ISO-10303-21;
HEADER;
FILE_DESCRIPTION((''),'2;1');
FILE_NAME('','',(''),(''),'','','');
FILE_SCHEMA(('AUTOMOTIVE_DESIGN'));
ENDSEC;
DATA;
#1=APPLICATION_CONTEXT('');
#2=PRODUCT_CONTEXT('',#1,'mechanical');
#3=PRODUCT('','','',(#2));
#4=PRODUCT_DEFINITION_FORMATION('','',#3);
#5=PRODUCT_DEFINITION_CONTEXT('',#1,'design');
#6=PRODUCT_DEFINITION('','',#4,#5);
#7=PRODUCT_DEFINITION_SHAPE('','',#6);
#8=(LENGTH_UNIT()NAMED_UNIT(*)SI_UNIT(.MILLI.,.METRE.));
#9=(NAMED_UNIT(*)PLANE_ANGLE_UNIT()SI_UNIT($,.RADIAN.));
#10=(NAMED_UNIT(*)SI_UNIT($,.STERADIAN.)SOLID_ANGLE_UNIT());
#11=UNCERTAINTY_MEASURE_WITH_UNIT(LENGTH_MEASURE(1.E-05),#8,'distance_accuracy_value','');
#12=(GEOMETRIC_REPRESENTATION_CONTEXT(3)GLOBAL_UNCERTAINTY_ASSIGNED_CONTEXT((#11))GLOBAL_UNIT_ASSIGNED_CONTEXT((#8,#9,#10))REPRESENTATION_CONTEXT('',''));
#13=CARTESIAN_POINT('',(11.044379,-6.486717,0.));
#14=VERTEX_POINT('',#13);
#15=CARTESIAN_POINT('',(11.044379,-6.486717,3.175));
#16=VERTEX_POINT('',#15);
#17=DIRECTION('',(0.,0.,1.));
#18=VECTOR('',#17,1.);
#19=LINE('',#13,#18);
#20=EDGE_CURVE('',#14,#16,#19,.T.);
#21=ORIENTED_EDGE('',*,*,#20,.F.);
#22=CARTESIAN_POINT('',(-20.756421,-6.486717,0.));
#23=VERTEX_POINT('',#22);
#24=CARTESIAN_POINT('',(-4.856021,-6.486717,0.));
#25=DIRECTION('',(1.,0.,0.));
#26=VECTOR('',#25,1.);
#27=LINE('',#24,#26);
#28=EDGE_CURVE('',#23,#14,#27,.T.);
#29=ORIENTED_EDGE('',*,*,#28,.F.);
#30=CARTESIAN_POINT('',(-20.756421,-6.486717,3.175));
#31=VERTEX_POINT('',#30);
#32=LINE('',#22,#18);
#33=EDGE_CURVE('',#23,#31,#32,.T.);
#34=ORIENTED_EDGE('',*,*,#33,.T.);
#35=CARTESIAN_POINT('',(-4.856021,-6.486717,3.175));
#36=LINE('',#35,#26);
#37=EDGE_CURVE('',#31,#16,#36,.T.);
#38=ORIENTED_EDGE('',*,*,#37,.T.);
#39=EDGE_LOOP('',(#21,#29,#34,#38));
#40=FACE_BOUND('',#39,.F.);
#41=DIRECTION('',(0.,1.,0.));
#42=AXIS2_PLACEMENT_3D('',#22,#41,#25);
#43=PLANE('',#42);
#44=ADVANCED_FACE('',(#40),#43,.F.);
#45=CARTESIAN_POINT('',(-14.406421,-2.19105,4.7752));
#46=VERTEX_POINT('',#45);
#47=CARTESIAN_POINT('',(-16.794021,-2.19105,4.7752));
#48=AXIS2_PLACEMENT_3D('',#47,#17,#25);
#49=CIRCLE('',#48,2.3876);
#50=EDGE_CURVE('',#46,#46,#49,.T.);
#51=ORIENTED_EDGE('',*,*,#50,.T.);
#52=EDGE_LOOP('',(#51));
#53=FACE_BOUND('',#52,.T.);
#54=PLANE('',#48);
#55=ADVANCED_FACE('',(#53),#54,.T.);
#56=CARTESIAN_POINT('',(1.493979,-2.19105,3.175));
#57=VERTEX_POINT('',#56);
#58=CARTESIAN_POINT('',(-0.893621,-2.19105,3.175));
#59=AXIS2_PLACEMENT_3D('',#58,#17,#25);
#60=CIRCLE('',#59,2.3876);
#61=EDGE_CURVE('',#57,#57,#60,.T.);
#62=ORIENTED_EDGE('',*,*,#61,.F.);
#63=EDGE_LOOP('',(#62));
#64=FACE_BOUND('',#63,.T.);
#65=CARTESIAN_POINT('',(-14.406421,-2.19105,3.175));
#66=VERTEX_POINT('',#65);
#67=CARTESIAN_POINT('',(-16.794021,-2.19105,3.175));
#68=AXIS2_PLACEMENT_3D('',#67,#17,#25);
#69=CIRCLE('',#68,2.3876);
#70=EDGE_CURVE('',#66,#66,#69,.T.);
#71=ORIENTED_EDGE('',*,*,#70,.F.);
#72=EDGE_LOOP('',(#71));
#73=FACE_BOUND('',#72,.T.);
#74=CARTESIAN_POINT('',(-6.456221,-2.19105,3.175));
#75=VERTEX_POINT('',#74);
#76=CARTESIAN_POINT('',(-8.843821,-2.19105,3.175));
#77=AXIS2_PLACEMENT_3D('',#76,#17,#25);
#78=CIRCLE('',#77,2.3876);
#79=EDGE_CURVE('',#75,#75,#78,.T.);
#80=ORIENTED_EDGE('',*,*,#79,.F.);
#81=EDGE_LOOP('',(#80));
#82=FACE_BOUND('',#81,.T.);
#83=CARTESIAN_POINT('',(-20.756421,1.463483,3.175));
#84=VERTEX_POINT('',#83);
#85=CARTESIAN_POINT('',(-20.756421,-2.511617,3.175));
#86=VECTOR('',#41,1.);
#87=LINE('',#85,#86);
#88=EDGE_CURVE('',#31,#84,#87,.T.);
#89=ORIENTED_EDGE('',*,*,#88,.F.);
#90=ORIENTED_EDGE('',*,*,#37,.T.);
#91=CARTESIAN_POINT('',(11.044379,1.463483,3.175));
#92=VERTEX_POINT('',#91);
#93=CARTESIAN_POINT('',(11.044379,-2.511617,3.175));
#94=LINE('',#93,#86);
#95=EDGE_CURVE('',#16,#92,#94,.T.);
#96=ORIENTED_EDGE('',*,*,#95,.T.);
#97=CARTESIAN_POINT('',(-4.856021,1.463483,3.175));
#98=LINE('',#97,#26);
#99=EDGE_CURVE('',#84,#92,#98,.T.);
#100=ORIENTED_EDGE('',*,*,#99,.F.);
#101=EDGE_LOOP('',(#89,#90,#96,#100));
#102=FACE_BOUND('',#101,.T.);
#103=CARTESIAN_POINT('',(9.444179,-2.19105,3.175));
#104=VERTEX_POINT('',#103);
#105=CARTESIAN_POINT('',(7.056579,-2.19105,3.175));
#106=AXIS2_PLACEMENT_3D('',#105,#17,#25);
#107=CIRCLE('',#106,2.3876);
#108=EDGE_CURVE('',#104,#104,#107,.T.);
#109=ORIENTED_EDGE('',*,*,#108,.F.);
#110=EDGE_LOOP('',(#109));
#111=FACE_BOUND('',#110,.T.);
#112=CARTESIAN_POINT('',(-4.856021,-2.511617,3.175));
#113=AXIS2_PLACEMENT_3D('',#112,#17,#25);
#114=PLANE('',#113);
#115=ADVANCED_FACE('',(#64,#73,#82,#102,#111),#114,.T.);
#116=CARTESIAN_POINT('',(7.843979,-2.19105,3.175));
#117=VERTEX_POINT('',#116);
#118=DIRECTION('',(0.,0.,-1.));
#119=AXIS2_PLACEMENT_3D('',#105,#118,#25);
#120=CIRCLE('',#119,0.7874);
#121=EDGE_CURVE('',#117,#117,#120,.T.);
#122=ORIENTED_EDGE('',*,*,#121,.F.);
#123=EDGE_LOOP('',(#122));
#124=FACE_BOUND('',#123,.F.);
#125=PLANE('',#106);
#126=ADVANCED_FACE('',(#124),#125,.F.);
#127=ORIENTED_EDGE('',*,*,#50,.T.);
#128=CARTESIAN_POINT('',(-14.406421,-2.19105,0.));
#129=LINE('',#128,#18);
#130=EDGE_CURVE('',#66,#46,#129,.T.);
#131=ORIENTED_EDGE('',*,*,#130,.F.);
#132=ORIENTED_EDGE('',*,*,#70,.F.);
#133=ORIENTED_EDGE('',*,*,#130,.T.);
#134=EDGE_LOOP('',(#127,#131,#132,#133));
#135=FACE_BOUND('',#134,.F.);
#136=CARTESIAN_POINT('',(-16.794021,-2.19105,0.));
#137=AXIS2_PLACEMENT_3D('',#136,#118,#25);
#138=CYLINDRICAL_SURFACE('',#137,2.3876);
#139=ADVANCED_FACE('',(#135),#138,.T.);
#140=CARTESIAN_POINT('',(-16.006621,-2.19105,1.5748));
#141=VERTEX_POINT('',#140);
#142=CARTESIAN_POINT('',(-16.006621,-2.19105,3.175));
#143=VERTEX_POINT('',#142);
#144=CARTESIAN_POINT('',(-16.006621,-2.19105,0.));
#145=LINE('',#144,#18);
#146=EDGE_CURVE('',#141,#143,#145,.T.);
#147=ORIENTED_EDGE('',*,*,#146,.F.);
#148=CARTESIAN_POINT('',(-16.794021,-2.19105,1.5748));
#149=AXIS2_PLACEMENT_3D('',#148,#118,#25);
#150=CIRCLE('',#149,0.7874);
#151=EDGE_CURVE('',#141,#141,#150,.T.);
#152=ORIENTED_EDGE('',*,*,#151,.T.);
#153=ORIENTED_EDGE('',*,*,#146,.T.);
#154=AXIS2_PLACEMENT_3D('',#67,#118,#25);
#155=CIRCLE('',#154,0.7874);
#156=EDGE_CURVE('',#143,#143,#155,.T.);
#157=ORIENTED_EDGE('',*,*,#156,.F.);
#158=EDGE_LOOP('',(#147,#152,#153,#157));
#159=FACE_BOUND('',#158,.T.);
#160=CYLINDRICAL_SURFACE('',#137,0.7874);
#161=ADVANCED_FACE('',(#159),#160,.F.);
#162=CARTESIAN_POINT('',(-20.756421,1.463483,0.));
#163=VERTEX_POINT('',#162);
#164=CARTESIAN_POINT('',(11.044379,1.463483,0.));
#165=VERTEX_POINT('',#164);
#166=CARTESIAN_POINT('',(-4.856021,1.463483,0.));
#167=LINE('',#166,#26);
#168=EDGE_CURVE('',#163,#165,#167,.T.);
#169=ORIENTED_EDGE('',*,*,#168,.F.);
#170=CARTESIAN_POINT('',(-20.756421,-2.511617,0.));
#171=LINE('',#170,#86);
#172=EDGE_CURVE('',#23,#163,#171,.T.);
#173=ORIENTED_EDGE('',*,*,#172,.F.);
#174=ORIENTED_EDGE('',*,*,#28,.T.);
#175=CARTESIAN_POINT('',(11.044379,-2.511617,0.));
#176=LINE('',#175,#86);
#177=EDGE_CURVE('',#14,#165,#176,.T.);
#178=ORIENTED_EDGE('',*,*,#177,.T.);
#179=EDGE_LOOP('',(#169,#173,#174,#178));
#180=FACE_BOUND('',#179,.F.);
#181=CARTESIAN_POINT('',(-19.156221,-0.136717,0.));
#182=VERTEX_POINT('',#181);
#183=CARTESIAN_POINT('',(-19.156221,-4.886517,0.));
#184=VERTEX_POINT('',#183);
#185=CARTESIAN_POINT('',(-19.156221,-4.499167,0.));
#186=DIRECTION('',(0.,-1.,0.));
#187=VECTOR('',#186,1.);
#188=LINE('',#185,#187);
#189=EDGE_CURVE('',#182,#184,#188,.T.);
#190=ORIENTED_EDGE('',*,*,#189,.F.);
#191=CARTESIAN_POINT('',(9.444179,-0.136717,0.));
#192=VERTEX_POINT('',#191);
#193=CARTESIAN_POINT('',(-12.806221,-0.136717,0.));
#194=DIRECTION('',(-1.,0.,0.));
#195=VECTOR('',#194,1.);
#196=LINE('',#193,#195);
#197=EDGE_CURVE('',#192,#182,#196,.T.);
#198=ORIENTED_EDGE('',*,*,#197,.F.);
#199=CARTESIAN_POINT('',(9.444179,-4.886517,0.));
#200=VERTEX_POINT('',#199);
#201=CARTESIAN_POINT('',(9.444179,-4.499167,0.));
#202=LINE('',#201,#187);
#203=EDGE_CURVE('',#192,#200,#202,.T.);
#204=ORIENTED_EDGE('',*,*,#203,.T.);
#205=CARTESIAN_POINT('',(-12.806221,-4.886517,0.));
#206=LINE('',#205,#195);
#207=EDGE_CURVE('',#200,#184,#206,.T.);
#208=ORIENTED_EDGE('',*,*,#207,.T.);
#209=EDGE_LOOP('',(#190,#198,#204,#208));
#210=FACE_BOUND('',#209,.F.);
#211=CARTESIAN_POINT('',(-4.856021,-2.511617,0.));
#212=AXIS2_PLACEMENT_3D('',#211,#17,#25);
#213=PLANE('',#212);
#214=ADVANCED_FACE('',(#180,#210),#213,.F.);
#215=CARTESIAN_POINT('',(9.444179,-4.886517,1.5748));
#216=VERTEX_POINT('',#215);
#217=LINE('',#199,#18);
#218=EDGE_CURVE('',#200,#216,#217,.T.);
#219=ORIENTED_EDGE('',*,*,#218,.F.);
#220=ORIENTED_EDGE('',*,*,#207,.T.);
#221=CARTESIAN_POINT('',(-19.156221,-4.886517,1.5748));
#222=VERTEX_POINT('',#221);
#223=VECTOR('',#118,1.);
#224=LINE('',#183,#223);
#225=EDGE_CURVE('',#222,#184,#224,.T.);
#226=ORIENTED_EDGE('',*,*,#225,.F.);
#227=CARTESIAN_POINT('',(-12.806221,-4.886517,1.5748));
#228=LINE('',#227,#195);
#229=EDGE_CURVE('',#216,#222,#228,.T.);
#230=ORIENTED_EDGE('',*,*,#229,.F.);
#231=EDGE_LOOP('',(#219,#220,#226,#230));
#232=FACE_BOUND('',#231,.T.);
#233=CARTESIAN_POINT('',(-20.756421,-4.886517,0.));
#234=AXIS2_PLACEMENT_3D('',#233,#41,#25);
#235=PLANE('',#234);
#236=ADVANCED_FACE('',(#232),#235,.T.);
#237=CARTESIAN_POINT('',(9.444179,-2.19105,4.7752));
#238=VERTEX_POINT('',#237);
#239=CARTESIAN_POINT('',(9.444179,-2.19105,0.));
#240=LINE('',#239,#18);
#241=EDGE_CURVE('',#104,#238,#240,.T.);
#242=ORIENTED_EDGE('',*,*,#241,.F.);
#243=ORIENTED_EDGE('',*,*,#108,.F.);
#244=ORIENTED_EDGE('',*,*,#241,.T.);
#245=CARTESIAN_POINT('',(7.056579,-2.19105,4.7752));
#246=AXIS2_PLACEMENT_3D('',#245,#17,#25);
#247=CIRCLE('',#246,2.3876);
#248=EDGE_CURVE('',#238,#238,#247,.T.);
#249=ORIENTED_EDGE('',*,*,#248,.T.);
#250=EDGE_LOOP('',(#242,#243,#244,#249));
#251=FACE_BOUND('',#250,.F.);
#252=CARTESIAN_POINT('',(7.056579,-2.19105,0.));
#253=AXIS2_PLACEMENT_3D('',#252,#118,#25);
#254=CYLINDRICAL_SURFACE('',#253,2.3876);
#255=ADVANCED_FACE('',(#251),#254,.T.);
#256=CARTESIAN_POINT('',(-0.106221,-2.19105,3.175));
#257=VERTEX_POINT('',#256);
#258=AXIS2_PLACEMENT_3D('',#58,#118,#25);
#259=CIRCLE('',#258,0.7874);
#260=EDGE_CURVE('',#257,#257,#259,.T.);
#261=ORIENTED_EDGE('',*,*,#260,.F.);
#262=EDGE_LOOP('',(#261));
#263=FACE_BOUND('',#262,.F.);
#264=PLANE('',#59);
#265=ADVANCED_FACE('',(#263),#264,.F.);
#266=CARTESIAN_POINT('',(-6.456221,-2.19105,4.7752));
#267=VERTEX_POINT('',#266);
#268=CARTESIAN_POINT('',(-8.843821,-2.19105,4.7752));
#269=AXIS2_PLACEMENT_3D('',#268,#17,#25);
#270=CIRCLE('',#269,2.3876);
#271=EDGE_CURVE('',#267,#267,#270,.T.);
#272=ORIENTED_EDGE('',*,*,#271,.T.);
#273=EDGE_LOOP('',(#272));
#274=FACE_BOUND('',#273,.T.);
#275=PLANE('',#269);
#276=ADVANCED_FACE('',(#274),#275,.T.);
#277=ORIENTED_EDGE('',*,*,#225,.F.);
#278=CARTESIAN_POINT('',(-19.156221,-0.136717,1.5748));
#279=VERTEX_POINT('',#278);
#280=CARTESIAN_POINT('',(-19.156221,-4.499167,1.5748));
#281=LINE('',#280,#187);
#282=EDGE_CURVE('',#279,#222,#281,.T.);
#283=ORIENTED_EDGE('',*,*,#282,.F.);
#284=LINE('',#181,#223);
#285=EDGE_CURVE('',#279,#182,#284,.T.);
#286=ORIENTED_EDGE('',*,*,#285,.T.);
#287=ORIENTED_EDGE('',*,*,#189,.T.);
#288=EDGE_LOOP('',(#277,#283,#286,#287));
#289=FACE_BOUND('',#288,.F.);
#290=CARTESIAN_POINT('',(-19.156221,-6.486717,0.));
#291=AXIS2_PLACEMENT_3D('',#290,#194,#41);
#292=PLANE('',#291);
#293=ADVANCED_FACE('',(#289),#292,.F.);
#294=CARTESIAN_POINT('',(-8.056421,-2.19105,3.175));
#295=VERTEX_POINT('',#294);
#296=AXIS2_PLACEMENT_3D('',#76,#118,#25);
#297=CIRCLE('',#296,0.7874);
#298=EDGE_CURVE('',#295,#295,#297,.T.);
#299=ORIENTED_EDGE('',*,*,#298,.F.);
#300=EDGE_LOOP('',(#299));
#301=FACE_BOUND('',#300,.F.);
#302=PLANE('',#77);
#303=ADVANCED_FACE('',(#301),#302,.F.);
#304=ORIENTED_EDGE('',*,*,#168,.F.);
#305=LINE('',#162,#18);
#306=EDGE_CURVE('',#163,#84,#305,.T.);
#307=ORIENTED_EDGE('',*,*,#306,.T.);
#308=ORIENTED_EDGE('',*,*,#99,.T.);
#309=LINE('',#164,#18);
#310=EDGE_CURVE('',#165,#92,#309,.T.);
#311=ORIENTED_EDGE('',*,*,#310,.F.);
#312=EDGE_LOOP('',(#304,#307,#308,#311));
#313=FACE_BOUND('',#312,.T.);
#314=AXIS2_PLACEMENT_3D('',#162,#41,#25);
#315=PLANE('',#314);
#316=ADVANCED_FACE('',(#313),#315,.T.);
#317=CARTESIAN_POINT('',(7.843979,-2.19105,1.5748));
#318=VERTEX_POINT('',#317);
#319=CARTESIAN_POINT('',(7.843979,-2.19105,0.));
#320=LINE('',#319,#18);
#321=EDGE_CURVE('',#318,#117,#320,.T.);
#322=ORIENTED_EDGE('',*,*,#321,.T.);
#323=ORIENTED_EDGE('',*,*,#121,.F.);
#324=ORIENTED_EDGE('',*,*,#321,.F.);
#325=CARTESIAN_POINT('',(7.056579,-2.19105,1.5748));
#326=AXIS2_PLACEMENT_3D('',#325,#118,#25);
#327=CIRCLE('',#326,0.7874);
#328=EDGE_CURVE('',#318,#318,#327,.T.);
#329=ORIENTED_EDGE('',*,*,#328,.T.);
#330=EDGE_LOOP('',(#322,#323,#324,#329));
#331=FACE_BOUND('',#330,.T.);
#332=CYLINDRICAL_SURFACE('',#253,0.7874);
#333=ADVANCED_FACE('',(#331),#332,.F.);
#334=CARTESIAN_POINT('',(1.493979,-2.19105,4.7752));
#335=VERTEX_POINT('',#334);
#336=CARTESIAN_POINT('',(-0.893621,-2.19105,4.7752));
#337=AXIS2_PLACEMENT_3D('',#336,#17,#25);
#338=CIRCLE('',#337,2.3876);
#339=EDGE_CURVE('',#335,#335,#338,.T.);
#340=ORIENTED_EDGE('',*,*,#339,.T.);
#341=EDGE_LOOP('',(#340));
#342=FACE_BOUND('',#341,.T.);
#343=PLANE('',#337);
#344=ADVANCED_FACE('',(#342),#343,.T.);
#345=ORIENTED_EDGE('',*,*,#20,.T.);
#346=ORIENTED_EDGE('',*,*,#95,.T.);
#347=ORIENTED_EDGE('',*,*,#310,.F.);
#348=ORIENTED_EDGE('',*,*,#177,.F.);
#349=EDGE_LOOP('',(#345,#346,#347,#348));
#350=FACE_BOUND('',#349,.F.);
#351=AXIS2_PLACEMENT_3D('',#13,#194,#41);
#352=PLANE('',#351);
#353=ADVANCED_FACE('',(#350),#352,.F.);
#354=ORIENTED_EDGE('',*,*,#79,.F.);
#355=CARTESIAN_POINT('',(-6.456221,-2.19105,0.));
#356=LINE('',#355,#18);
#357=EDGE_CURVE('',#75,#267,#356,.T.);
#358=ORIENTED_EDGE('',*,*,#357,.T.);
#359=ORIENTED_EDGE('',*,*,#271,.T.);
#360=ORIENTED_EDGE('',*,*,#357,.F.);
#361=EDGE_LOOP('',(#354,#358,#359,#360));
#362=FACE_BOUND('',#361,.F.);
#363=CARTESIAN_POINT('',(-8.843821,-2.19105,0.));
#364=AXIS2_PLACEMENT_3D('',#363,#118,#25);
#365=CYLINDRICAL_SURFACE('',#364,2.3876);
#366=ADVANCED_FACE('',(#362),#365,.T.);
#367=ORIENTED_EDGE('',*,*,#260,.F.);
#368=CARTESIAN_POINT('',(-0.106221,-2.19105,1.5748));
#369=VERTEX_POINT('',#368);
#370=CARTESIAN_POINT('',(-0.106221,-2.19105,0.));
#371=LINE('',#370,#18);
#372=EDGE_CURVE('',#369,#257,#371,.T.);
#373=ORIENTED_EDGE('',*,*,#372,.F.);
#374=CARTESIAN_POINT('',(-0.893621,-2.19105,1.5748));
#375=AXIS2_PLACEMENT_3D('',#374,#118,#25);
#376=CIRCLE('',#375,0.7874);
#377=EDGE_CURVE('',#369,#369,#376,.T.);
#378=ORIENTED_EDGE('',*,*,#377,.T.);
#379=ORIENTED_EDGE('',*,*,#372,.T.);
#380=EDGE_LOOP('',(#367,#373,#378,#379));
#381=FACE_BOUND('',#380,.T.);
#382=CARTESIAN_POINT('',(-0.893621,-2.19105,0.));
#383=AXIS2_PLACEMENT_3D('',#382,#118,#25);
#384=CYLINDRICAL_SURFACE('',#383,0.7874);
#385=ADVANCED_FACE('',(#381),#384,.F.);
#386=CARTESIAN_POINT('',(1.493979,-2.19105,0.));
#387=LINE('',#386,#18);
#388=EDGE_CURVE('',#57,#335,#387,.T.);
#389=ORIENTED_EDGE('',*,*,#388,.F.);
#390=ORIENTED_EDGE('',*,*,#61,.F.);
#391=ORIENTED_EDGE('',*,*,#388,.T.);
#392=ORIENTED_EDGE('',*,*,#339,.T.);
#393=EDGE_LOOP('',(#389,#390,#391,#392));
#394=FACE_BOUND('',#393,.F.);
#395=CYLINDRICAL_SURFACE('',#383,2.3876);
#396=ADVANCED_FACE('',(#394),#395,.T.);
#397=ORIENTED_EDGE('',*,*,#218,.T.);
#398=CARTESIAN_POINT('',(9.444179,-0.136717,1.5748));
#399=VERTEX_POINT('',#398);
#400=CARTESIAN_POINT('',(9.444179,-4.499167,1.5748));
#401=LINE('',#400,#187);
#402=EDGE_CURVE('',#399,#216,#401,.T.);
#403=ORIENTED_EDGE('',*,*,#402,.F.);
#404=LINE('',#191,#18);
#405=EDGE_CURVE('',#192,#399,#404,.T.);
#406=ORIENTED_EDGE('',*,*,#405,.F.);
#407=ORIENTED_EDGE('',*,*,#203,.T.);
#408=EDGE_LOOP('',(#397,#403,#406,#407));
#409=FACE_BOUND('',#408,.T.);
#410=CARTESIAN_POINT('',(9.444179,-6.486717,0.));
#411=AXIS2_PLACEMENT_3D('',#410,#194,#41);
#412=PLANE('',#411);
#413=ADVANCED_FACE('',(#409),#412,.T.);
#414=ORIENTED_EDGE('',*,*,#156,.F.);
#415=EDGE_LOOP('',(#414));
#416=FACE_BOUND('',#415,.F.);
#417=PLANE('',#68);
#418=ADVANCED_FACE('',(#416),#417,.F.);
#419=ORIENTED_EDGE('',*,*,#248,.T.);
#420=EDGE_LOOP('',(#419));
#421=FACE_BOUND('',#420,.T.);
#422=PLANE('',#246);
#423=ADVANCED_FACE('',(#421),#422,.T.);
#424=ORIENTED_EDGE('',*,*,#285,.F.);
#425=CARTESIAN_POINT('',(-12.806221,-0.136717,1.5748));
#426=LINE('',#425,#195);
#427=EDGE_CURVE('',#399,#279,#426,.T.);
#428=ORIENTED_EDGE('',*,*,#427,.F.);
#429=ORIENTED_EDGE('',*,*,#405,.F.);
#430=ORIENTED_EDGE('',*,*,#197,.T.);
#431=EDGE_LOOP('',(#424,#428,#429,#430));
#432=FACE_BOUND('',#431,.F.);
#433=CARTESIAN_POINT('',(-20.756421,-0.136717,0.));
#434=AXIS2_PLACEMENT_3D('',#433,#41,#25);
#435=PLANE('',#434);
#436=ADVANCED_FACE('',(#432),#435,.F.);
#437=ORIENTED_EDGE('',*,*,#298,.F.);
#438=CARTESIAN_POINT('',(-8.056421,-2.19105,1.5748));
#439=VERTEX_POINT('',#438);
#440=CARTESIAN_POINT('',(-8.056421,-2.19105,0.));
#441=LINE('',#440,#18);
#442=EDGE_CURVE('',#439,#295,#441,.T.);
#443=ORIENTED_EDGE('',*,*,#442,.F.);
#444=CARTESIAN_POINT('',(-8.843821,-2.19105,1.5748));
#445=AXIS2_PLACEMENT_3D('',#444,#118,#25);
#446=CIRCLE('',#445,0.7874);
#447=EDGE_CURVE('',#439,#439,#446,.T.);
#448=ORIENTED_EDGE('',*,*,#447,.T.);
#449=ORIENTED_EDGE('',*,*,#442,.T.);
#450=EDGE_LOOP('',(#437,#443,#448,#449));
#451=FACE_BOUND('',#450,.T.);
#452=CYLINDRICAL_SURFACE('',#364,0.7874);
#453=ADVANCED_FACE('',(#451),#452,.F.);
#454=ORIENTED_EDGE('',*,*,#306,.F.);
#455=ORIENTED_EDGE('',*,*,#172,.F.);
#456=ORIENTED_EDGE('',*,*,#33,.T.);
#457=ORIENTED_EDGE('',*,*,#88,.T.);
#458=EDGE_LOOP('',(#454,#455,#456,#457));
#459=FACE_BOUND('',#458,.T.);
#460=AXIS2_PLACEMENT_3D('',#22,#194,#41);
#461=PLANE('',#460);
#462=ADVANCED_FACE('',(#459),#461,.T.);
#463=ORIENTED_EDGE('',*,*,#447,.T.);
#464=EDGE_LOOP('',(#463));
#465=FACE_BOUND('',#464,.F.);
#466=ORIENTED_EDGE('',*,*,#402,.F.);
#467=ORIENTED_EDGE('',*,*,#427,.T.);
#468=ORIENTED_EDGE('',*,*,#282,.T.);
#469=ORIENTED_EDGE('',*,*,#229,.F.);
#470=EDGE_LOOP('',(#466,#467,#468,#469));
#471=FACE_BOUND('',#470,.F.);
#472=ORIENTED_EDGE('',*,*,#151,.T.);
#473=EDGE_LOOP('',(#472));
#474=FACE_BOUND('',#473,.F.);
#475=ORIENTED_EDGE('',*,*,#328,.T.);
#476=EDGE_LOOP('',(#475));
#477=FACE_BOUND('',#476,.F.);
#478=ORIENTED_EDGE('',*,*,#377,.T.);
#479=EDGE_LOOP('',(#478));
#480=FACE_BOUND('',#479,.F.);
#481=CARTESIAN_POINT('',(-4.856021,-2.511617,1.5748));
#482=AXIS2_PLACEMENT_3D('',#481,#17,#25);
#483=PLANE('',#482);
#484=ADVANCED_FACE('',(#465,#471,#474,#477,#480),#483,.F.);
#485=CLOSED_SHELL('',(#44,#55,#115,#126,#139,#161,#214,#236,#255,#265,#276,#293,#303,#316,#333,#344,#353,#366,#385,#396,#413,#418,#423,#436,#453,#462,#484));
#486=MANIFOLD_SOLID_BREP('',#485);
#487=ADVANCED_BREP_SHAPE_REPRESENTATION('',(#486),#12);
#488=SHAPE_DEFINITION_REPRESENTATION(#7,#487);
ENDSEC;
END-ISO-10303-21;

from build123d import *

# Parameters (mm, degrees)
F0_W     = 31.8008
F0_H     = 7.9502
F0_R     = 2.3876
F1_DEPTH = 3.175
F2_DEPTH = 4.7752
F3_T     = -1.6002


with BuildPart() as f1:
    # F0 (on Top) → F1 (new body)
    with BuildSketch(Plane.XY):
        with Locations((-4.8560211533, -2.5116165634)):
            Rectangle(F0_W, F0_H)
        with Locations((-16.7940211533, -2.1910497453)):
            Circle(F0_R, mode=Mode.SUBTRACT)
        with Locations((-8.8438211533, -2.1910497453)):
            Circle(F0_R, mode=Mode.SUBTRACT)
        with Locations((-0.8936211533, -2.1910497453)):
            Circle(F0_R, mode=Mode.SUBTRACT)
        with Locations((7.0565788467, -2.1910497453)):
            Circle(F0_R, mode=Mode.SUBTRACT)
    extrude(amount=F1_DEPTH)

    # F0 (on Top) → F2 (join)
    with BuildSketch(Plane.XY):
        with Locations((-16.7940211533, -2.1910497453)):
            Circle(F0_R)
        with Locations((-8.8438211533, -2.1910497453)):
            Circle(F0_R)
        with Locations((-0.8936211533, -2.1910497453)):
            Circle(F0_R)
        with Locations((7.0565788467, -2.1910497453)):
            Circle(F0_R)
    extrude(amount=F2_DEPTH)

    # F3
    f3_openings = [f1.faces().sort_by_distance(p)[0] for p in [
        (-4.856021, -2.511617, 0),
    ]]
    offset(amount=F3_T, openings=f3_openings, kind=Kind.INTERSECTION)


solid = f1.part
